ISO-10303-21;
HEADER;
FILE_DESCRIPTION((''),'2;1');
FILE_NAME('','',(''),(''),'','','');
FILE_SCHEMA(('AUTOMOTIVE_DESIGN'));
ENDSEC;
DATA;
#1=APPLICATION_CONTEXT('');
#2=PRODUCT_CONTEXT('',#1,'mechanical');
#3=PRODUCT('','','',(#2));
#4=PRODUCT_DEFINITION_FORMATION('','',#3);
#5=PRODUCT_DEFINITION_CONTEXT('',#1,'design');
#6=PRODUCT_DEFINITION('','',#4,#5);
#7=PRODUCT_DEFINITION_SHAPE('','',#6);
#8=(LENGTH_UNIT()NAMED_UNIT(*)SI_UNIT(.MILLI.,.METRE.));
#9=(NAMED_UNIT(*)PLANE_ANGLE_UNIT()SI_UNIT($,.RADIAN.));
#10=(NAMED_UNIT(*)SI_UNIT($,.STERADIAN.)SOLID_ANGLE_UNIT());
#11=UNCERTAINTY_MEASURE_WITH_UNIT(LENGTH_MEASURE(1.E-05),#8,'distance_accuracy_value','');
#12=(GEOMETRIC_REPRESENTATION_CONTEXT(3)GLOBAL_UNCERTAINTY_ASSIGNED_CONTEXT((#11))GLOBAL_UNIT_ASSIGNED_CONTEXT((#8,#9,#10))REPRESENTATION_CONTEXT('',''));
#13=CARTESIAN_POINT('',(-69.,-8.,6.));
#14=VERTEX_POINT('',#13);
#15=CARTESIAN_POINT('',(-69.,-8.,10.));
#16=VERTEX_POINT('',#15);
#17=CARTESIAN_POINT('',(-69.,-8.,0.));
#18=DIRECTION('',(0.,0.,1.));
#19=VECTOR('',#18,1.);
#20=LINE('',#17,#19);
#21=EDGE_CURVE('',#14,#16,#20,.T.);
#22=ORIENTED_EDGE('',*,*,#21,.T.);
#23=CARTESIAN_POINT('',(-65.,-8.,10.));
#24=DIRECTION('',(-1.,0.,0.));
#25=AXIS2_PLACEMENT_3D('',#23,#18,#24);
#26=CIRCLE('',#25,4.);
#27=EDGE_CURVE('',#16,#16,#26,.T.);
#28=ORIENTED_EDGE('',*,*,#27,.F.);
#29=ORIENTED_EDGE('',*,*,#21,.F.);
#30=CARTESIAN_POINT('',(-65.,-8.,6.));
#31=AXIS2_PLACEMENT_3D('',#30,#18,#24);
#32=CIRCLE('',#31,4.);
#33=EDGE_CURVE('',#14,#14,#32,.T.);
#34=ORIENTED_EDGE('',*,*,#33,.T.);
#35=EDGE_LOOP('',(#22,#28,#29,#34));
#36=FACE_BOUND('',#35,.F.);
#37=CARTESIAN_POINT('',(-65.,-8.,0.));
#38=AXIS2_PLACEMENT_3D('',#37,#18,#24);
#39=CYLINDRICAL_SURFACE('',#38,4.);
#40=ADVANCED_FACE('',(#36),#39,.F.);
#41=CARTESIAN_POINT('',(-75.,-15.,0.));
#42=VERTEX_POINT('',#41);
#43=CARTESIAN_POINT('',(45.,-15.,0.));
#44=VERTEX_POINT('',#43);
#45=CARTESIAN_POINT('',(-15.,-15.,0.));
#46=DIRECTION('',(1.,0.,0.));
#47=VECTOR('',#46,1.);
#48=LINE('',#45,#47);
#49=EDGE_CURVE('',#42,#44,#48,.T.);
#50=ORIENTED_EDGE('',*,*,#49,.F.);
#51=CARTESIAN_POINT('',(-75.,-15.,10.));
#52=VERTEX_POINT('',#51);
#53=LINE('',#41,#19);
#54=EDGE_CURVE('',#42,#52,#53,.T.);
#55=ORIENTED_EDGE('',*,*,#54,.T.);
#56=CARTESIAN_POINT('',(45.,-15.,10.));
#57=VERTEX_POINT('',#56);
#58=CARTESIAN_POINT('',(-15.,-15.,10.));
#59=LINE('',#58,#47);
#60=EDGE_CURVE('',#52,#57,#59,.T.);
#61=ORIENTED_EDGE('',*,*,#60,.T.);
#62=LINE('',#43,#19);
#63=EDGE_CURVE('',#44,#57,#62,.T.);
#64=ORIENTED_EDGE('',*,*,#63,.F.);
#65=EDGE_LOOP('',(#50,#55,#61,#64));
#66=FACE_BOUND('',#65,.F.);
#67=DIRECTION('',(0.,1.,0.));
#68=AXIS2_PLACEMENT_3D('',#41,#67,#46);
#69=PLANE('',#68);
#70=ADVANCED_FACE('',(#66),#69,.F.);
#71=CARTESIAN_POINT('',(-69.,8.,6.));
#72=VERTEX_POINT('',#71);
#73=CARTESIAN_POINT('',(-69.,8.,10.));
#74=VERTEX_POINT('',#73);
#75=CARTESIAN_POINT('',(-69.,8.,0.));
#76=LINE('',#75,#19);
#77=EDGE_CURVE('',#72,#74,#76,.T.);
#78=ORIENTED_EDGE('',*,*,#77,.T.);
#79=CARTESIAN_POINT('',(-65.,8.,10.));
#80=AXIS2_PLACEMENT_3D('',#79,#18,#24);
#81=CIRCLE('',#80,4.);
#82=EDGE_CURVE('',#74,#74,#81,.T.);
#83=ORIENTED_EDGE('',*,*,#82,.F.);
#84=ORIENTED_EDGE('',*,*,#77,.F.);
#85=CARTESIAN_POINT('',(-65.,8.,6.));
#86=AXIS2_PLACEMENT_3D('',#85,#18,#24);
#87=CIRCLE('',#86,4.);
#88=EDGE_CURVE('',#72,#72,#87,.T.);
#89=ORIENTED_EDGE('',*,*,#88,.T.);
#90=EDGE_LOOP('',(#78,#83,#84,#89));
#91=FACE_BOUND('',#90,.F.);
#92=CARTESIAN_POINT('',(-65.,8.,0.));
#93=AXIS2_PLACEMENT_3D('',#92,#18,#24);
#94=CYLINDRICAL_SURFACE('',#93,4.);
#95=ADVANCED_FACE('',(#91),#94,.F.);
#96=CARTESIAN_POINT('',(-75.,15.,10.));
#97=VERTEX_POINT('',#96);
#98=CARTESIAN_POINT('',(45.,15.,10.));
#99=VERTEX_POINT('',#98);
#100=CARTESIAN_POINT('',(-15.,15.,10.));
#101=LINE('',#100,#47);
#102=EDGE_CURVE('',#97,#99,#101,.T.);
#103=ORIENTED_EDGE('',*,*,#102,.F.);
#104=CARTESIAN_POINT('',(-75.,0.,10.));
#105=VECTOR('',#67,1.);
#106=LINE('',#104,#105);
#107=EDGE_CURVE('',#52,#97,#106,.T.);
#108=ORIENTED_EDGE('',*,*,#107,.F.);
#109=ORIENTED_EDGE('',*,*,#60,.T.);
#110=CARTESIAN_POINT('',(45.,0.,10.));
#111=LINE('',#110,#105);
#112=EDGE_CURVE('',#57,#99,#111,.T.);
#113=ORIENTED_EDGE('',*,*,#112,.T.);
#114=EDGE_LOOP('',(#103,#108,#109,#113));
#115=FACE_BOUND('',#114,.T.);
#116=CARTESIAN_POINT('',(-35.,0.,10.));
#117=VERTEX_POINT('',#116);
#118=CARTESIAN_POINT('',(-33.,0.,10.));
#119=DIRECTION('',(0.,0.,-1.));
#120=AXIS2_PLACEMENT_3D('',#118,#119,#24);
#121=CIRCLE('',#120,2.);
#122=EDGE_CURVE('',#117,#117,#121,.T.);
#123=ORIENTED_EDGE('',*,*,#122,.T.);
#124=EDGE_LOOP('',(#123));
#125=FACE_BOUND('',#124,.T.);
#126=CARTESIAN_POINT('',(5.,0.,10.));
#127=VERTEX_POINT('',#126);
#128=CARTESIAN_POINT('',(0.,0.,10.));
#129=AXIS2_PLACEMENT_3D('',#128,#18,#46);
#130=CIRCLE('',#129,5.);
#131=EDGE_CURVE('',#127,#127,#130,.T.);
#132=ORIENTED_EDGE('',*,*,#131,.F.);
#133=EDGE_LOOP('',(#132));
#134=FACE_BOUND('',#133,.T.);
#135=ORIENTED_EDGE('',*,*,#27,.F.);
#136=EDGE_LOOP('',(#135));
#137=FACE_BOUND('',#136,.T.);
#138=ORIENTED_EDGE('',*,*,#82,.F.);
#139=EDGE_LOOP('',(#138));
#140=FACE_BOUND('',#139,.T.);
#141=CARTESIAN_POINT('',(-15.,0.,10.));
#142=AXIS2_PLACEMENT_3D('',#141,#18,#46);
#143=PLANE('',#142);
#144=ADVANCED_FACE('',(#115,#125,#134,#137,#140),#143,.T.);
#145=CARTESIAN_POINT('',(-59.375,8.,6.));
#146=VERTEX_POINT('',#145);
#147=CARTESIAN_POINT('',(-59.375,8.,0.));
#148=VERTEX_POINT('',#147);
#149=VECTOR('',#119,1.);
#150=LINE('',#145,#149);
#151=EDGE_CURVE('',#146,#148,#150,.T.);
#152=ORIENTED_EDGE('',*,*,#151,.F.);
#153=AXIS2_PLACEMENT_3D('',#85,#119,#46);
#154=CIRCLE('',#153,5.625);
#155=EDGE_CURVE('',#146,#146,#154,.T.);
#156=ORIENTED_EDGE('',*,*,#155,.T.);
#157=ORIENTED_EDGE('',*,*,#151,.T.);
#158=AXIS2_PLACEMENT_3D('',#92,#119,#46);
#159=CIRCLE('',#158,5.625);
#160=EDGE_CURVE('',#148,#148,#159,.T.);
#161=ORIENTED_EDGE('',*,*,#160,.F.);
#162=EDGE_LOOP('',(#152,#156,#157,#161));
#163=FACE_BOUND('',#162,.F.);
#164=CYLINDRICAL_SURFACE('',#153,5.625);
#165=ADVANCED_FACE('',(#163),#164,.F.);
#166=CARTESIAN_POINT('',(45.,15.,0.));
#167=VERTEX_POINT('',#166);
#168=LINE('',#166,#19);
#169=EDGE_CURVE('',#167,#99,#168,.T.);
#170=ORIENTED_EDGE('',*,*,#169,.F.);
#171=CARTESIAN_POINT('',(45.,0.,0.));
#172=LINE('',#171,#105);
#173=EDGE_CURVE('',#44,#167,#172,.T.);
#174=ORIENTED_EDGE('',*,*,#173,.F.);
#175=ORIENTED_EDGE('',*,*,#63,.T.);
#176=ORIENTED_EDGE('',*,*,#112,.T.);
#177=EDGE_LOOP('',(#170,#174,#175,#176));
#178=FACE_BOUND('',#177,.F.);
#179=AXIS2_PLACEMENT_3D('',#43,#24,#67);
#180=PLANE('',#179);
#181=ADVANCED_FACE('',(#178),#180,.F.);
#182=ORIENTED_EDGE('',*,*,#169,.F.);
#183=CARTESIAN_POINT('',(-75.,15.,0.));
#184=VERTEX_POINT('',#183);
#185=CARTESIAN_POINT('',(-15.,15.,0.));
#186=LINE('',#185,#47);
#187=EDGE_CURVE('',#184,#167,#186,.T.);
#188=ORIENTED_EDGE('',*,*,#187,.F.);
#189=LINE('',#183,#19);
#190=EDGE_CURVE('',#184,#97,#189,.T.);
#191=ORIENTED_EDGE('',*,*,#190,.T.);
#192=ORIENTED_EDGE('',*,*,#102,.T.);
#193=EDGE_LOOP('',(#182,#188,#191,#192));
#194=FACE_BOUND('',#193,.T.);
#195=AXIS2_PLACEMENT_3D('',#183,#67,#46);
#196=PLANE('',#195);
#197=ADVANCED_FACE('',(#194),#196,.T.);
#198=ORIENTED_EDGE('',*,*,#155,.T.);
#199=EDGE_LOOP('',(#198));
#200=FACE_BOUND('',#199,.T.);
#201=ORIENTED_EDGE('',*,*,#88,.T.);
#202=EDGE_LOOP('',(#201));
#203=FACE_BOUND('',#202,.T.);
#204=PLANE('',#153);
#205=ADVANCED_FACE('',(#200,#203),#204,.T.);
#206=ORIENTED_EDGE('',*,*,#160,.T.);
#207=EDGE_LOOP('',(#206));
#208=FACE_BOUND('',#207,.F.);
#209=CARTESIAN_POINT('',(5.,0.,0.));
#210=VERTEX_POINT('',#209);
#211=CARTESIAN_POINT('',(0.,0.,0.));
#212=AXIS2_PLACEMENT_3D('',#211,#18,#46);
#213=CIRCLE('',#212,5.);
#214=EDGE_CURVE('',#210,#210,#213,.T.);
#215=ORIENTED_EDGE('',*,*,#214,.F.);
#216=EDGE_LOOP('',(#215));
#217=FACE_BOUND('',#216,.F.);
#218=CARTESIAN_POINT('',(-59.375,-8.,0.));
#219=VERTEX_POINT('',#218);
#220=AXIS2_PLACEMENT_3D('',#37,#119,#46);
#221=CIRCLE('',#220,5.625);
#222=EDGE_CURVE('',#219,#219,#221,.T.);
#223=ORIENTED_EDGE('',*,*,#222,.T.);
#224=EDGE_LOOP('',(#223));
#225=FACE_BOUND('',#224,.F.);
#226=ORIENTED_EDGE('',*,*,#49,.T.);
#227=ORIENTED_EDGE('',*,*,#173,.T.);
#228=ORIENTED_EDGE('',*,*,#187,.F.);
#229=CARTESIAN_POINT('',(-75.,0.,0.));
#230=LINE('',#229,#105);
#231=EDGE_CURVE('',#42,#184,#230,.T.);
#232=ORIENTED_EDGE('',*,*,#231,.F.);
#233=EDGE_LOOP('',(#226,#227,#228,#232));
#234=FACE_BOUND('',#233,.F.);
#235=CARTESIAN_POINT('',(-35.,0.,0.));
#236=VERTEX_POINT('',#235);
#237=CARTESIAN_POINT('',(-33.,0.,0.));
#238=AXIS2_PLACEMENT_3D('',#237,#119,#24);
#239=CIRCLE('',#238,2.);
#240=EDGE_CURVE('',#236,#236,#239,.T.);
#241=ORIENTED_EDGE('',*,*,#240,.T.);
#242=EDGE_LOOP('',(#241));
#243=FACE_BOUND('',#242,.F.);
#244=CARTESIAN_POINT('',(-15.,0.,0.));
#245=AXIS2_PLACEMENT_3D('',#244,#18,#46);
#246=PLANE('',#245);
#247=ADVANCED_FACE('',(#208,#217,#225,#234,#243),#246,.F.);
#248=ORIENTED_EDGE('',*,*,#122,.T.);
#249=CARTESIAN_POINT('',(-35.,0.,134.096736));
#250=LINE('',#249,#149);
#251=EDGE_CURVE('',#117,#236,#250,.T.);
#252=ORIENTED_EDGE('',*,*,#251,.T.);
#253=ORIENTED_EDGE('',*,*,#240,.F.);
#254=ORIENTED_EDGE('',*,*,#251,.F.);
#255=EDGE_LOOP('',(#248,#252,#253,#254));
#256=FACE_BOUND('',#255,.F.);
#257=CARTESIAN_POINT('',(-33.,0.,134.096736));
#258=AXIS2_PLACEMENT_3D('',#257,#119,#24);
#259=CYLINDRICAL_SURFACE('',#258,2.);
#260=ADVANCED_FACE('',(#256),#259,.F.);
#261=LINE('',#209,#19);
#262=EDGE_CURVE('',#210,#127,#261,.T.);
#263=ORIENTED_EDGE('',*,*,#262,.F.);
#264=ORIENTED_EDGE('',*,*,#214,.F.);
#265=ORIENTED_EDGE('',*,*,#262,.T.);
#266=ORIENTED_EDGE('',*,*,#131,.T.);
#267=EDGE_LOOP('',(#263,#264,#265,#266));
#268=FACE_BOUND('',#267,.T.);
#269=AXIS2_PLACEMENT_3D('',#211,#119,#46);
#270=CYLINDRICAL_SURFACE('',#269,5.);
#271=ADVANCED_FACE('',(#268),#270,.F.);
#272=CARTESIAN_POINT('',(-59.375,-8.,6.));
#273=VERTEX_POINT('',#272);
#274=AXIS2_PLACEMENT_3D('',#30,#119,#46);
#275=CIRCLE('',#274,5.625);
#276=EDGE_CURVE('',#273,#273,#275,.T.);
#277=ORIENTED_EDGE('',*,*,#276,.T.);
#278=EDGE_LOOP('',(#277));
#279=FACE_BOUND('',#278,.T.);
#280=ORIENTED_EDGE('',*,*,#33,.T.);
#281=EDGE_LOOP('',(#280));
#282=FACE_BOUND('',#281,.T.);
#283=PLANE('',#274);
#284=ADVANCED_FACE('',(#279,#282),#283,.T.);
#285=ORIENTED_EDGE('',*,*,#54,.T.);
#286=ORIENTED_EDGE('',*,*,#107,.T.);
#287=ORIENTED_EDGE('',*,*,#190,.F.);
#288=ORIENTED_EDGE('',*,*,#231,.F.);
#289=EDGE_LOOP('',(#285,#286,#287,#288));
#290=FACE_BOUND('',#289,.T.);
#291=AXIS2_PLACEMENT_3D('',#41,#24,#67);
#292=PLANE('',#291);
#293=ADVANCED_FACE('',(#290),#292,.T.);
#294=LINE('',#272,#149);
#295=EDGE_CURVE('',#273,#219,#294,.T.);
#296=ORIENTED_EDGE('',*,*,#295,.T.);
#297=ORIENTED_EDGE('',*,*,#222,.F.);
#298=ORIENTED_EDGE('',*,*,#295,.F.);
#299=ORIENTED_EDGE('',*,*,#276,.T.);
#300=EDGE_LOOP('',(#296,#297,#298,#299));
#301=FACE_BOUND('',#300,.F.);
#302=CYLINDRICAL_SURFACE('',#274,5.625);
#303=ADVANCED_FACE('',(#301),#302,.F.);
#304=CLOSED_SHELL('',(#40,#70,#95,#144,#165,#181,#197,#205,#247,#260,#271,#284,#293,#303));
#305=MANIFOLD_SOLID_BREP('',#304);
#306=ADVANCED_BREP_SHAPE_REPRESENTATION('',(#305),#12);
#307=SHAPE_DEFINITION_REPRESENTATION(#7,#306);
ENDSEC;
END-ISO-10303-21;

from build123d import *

# Parameters (mm, degrees)
F0_W           = 120
F0_H           = 30
F0_R           = 5
F1_DEPTH       = 10
F3_D           = 8
F3_CBORE_D     = 11.25
F3_CBORE_DEPTH = 6
F5_D           = 4


with BuildPart() as f1:
    # F0 (on Top) → F1 (new body)
    with BuildSketch(Plane.XY):
        with Locations((-15, 0)):
            Rectangle(F0_W, F0_H)
        Circle(F0_R, mode=Mode.SUBTRACT)
    extrude(amount=F1_DEPTH)

    # F3 (through all)
    with Locations(Plane(origin=(0, 0, 0), x_dir=(1, 0, 0), z_dir=(0, 0, -1))):
        with Locations((-65, 8), (-65, -8)):
            CounterBoreHole(F3_D / 2, F3_CBORE_D / 2, F3_CBORE_DEPTH)

    # F5 (through all)
    with Locations(Plane.XY.offset(10)):
        with Locations((-33, 0)):
            Hole(F5_D / 2)


solid = f1.part
